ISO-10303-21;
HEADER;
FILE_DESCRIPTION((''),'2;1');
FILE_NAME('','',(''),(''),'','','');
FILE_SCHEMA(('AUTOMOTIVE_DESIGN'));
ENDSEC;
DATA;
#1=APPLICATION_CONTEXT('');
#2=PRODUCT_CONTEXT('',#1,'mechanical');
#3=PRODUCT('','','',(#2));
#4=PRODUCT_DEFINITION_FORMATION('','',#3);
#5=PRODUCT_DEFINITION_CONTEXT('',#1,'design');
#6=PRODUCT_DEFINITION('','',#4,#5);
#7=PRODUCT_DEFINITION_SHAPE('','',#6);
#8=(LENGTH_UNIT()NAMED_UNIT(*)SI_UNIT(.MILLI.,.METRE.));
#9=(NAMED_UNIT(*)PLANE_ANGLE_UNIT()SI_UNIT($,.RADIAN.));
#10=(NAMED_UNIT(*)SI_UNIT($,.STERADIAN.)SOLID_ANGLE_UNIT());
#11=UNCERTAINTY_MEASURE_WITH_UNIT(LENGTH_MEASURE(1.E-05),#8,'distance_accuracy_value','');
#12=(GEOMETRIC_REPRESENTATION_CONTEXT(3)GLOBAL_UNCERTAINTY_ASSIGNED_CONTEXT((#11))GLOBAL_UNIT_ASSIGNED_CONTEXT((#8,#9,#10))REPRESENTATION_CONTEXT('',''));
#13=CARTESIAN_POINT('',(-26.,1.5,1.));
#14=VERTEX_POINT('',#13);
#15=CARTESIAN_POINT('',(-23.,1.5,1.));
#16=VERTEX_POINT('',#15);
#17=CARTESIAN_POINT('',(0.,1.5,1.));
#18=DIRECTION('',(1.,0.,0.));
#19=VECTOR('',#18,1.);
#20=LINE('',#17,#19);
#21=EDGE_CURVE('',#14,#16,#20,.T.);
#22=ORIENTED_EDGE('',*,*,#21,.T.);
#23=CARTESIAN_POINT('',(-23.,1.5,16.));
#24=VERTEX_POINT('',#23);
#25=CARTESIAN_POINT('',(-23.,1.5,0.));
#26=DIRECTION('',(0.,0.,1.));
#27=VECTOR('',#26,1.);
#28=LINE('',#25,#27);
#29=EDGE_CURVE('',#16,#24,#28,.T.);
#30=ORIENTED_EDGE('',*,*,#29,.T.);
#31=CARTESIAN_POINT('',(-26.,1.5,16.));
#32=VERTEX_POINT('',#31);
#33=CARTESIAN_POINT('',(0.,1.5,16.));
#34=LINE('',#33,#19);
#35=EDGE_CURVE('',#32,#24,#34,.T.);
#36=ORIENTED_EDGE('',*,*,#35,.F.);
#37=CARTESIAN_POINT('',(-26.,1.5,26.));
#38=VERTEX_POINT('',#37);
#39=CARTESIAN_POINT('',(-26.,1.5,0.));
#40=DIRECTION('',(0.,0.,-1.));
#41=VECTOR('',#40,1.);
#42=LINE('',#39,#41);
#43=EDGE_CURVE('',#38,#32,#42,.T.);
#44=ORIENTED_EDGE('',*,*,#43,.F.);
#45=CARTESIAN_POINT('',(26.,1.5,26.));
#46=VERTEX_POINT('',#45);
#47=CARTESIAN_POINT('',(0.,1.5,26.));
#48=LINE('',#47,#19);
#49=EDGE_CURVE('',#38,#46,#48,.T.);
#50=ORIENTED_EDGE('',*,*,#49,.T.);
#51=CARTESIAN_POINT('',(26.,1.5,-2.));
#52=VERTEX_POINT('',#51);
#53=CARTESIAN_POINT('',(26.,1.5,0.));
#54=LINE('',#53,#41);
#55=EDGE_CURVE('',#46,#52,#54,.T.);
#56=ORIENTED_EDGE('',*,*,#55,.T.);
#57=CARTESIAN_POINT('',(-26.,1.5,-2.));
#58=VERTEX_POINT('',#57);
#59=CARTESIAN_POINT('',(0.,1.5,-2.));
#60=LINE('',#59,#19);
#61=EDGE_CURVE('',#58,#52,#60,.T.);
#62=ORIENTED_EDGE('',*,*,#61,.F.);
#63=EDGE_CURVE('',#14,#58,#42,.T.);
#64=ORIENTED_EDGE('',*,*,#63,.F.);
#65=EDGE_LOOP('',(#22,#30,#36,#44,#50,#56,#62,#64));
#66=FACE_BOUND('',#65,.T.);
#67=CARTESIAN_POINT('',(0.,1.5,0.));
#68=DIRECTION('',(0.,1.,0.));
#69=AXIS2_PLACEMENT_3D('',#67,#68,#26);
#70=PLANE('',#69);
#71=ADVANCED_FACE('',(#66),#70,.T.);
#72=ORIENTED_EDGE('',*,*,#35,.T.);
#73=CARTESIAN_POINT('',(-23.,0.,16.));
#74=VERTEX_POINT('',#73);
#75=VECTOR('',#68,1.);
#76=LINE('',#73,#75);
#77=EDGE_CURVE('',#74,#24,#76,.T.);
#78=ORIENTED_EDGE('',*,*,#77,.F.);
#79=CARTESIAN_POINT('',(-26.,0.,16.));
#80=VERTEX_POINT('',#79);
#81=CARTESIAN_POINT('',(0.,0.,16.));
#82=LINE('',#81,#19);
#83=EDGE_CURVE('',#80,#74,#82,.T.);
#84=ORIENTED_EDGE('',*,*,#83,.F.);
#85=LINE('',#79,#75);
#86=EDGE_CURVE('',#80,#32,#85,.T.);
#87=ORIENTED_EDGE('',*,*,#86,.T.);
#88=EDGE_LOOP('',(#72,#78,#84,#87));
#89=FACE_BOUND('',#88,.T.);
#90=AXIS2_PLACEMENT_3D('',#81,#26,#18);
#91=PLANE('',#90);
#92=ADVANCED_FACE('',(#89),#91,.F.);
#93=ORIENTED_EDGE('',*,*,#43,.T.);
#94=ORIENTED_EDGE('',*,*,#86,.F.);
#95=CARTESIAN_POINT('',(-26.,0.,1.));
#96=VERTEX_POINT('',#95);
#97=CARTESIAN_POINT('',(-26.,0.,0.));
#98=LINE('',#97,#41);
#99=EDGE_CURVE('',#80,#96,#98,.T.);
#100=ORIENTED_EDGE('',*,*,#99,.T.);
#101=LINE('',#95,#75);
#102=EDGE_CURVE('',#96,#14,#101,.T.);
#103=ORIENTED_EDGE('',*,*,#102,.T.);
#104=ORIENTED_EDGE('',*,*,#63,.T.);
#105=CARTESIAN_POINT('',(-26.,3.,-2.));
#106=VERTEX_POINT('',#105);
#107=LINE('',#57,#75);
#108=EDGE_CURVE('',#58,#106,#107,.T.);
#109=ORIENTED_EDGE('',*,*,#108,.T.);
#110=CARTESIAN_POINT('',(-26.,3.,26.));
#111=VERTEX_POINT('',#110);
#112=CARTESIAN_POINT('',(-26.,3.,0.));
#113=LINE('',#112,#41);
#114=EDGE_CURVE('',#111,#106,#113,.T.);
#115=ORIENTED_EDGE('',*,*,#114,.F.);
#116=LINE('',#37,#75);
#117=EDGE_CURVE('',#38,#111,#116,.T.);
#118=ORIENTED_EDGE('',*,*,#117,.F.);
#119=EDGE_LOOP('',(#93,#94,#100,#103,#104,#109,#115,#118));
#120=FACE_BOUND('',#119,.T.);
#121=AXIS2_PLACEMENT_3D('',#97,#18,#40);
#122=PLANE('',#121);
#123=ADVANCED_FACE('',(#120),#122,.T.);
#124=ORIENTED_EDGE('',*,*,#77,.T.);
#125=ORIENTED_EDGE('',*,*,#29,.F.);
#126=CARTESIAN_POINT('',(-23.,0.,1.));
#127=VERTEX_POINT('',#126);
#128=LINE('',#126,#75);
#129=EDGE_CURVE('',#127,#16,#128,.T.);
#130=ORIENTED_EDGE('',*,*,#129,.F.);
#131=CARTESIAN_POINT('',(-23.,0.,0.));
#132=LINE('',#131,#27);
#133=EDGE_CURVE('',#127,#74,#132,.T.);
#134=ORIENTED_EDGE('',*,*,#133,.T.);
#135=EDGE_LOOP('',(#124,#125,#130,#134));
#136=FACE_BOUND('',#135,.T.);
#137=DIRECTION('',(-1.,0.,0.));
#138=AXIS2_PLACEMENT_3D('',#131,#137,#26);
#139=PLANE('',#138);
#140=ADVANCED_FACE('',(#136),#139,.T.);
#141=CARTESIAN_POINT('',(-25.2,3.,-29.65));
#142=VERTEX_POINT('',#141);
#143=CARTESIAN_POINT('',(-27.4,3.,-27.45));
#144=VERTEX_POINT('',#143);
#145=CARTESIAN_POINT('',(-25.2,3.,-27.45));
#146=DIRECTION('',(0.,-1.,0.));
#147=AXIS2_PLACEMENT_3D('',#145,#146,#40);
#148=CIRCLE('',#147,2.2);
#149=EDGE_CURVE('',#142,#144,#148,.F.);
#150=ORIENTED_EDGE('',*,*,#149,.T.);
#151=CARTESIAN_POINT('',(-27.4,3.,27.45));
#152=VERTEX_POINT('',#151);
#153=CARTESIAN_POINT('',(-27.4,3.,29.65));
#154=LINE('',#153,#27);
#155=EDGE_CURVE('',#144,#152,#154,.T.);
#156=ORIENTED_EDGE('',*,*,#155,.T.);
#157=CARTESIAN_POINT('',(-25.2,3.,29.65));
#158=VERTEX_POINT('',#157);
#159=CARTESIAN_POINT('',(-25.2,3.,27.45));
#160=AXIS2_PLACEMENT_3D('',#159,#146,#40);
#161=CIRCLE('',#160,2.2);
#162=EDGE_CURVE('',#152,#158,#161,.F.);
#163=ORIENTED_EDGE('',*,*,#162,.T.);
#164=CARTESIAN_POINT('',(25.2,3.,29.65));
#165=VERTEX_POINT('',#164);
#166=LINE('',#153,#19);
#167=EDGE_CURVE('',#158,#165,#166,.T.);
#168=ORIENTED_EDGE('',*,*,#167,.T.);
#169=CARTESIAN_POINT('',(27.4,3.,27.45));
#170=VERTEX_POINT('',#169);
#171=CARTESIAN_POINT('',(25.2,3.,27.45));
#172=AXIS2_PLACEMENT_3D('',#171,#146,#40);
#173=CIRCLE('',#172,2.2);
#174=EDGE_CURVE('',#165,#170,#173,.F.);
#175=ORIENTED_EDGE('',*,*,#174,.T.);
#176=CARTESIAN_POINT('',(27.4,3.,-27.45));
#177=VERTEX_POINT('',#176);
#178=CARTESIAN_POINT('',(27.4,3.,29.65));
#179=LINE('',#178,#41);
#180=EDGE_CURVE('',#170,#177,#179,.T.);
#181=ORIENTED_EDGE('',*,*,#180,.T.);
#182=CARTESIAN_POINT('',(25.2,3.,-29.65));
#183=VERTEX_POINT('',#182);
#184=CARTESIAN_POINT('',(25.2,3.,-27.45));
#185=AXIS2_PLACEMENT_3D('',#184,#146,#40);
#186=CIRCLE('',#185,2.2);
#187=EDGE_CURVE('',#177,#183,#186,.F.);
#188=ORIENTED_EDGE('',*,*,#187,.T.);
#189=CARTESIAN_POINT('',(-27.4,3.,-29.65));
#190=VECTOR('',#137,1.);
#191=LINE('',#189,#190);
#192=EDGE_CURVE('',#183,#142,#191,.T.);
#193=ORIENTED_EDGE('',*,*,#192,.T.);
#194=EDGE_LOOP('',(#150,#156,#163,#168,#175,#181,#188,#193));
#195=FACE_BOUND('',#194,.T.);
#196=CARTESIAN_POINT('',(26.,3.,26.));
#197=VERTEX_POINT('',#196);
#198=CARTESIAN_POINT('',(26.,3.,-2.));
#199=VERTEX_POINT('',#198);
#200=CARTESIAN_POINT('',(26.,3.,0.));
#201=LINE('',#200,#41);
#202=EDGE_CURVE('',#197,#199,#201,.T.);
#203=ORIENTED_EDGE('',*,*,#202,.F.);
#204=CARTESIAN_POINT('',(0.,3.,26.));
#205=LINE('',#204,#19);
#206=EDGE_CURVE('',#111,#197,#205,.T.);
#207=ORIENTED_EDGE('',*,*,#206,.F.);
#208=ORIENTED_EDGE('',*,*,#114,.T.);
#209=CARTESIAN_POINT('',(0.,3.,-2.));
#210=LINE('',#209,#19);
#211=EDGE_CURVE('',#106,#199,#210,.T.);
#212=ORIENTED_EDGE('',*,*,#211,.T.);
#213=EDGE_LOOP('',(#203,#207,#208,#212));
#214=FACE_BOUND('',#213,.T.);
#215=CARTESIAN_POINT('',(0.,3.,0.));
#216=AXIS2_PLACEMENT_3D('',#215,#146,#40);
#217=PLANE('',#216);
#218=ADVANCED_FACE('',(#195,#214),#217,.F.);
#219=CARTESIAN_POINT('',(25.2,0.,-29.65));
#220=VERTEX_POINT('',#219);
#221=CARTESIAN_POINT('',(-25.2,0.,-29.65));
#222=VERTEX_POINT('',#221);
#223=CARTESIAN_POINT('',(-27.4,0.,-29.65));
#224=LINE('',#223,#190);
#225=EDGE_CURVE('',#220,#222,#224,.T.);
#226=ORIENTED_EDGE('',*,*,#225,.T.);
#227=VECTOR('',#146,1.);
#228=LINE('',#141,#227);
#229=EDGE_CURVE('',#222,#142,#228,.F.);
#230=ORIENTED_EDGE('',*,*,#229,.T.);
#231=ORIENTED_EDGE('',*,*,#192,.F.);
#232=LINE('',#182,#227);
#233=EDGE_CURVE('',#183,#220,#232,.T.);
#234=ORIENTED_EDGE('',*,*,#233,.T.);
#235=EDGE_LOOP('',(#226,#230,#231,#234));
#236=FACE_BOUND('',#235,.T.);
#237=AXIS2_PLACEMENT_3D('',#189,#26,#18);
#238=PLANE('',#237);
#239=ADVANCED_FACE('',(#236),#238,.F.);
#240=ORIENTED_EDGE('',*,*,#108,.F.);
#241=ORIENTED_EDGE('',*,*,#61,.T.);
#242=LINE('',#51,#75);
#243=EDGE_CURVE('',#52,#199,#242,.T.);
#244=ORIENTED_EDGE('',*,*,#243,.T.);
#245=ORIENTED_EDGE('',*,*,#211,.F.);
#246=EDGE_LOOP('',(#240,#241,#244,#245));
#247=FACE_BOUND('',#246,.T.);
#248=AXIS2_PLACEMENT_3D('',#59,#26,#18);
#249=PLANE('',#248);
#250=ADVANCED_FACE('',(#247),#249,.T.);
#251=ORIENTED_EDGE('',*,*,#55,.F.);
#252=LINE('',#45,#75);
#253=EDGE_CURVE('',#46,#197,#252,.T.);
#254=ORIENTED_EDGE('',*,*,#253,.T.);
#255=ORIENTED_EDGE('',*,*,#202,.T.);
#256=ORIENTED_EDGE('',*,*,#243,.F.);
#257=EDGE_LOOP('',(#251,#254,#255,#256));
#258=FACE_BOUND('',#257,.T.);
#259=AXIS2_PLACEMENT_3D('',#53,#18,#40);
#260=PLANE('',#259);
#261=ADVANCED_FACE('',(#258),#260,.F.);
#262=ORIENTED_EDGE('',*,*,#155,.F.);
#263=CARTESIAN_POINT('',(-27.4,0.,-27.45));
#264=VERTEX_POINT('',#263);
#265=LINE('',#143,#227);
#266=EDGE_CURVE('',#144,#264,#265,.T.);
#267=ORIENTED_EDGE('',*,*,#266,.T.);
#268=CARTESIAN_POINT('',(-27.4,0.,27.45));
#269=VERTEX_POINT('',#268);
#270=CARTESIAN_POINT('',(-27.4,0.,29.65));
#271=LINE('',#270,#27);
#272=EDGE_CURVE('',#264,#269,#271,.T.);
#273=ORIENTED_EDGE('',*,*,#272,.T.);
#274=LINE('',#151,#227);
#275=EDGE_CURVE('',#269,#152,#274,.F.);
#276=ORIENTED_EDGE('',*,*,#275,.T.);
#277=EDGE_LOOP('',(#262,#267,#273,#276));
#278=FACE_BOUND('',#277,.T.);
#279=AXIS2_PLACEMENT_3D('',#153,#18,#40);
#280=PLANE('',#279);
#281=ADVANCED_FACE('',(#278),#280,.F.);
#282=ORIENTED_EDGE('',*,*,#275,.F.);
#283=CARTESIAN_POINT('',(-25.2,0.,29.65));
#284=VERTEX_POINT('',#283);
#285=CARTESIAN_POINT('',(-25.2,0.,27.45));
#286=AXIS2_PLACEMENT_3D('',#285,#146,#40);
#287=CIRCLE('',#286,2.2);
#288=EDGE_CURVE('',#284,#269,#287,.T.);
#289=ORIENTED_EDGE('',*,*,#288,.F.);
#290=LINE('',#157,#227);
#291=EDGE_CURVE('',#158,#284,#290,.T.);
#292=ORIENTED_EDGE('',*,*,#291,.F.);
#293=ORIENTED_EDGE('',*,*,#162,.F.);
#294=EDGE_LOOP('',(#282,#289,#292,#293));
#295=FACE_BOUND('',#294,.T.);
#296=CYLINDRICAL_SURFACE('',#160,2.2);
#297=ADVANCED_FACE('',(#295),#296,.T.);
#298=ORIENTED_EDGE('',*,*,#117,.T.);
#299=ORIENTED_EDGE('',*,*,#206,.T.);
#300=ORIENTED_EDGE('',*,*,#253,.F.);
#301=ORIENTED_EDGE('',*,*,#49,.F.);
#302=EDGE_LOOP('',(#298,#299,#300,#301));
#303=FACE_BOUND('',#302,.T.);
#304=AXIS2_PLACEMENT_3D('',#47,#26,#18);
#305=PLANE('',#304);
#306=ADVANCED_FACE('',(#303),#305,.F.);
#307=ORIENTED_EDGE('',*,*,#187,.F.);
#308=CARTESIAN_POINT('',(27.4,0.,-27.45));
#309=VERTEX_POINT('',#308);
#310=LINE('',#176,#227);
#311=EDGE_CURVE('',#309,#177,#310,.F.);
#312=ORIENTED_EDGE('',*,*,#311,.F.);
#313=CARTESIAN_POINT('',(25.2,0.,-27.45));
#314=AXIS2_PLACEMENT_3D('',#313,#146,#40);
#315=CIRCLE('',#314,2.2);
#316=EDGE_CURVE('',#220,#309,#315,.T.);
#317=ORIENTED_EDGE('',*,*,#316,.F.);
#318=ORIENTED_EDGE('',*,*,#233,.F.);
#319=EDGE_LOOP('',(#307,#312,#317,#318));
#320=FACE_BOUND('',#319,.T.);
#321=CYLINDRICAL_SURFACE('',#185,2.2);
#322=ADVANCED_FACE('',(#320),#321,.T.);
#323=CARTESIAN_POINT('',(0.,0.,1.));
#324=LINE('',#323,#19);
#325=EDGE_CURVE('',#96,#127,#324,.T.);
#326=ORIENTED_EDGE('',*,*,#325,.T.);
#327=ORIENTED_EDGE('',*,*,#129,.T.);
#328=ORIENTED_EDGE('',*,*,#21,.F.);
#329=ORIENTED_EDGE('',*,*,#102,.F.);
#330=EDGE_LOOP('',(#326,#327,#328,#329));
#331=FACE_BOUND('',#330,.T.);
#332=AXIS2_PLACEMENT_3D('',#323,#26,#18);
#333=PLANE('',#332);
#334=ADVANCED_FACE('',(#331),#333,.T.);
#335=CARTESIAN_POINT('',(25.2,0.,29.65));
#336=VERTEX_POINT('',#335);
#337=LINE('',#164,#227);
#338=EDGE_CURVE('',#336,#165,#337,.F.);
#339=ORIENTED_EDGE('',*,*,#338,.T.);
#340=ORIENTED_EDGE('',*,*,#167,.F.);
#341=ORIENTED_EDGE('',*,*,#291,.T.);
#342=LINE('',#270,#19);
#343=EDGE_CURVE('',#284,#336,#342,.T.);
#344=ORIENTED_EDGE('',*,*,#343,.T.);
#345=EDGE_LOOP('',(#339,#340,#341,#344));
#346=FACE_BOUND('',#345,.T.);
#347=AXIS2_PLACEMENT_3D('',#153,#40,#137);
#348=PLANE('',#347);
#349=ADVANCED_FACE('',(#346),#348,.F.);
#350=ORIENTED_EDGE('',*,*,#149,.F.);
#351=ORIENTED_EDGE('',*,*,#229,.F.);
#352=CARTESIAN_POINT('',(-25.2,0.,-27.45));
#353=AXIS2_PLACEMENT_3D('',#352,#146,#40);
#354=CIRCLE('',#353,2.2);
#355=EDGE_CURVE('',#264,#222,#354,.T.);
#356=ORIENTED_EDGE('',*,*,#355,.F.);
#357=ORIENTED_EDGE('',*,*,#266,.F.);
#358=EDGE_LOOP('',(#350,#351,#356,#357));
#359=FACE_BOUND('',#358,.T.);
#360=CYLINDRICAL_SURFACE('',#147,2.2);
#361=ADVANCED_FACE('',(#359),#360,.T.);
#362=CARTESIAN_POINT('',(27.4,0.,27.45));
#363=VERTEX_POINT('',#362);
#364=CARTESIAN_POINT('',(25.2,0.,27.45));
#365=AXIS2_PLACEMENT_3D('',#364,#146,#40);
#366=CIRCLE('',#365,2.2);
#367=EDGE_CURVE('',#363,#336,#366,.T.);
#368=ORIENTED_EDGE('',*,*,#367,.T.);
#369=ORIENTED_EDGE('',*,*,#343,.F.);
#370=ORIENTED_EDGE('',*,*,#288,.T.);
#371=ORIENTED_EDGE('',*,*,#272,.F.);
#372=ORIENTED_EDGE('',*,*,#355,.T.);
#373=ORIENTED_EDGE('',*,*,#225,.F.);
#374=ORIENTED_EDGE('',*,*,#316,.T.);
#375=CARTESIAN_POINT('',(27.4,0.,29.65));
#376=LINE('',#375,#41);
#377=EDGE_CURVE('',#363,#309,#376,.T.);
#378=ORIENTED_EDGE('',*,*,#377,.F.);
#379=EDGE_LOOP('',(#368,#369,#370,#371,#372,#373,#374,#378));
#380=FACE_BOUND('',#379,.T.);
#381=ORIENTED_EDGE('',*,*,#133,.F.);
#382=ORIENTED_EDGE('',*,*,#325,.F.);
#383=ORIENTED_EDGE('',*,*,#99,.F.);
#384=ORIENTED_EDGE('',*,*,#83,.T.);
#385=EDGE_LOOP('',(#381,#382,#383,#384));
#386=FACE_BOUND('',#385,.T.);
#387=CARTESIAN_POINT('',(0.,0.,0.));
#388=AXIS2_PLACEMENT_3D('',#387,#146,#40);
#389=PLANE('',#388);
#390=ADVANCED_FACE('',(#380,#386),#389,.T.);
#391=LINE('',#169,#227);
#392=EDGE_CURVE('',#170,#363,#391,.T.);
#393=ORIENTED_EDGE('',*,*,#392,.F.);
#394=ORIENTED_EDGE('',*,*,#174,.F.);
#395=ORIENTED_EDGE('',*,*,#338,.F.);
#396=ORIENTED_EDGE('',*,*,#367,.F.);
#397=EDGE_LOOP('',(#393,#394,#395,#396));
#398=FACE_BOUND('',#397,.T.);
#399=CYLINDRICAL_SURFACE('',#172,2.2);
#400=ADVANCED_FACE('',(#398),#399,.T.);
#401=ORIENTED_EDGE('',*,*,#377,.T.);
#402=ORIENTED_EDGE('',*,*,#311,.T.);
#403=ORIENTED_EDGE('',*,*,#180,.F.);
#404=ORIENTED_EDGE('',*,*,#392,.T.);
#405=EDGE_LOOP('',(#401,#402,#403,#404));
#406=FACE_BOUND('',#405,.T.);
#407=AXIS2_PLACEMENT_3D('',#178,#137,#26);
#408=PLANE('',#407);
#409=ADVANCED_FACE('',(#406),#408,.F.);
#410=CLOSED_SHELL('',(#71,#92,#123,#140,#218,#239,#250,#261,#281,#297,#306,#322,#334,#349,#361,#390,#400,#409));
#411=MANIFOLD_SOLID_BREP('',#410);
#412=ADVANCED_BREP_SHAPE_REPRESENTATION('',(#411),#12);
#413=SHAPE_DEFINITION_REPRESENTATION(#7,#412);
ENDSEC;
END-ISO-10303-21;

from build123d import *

# Parameters (mm, degrees)
SKETCH1_W           = 54.8
SKETCH1_H           = 59.3
BOSS_EXTRUDE1_DEPTH = 3
FILLET1_R           = 2.2
SKETCH2_W           = 3
SKETCH2_H           = 15
CUT_EXTRUDE1_DEPTH  = 41.483113764
CUT_EXTRUDE2_DEPTH  = 1.5


with BuildPart() as part:
    # Sketch1 → Boss-Extrude1 (new body)
    with BuildSketch(Plane(origin=(0, 0, 0), x_dir=(1, 0, 0), z_dir=(0, 1, 0))):
        Rectangle(SKETCH1_W, SKETCH1_H)
    extrude(amount=BOSS_EXTRUDE1_DEPTH)

    # Fillet1
    fillet1_edges = [part.edges().sort_by_distance(p)[0] for p in [
        (27.4, 1.5, 29.65),
        (-27.4, 1.5, 29.65),
        (-27.4, 1.5, -29.65),
        (27.4, 1.5, -29.65),
    ]]
    fillet(fillet1_edges, radius=FILLET1_R)

    # Sketch2 → Cut-Extrude1 (cut, through all)
    with BuildSketch(Plane(origin=(0, 3, 0), x_dir=(1, 0, 0), z_dir=(0, 1, 0))):
        with Locations((-24.5, -8.5)):
            Rectangle(SKETCH2_W, SKETCH2_H)
    extrude(amount=-CUT_EXTRUDE1_DEPTH, mode=Mode.SUBTRACT)

    # Sketch2<3> → Cut-Extrude2 (cut)
    with BuildSketch(Plane(origin=(0, 3, 0), x_dir=(1, 0, 0), z_dir=(0, 1, 0))):
        Polygon((-26, -16), (-26, -26), (26, -26), (26, 2), (-26, 2), (-26, -1), (-23, -1), (-23, -16), align=None)
    extrude(amount=-CUT_EXTRUDE2_DEPTH, mode=Mode.SUBTRACT)


solid = part.part
